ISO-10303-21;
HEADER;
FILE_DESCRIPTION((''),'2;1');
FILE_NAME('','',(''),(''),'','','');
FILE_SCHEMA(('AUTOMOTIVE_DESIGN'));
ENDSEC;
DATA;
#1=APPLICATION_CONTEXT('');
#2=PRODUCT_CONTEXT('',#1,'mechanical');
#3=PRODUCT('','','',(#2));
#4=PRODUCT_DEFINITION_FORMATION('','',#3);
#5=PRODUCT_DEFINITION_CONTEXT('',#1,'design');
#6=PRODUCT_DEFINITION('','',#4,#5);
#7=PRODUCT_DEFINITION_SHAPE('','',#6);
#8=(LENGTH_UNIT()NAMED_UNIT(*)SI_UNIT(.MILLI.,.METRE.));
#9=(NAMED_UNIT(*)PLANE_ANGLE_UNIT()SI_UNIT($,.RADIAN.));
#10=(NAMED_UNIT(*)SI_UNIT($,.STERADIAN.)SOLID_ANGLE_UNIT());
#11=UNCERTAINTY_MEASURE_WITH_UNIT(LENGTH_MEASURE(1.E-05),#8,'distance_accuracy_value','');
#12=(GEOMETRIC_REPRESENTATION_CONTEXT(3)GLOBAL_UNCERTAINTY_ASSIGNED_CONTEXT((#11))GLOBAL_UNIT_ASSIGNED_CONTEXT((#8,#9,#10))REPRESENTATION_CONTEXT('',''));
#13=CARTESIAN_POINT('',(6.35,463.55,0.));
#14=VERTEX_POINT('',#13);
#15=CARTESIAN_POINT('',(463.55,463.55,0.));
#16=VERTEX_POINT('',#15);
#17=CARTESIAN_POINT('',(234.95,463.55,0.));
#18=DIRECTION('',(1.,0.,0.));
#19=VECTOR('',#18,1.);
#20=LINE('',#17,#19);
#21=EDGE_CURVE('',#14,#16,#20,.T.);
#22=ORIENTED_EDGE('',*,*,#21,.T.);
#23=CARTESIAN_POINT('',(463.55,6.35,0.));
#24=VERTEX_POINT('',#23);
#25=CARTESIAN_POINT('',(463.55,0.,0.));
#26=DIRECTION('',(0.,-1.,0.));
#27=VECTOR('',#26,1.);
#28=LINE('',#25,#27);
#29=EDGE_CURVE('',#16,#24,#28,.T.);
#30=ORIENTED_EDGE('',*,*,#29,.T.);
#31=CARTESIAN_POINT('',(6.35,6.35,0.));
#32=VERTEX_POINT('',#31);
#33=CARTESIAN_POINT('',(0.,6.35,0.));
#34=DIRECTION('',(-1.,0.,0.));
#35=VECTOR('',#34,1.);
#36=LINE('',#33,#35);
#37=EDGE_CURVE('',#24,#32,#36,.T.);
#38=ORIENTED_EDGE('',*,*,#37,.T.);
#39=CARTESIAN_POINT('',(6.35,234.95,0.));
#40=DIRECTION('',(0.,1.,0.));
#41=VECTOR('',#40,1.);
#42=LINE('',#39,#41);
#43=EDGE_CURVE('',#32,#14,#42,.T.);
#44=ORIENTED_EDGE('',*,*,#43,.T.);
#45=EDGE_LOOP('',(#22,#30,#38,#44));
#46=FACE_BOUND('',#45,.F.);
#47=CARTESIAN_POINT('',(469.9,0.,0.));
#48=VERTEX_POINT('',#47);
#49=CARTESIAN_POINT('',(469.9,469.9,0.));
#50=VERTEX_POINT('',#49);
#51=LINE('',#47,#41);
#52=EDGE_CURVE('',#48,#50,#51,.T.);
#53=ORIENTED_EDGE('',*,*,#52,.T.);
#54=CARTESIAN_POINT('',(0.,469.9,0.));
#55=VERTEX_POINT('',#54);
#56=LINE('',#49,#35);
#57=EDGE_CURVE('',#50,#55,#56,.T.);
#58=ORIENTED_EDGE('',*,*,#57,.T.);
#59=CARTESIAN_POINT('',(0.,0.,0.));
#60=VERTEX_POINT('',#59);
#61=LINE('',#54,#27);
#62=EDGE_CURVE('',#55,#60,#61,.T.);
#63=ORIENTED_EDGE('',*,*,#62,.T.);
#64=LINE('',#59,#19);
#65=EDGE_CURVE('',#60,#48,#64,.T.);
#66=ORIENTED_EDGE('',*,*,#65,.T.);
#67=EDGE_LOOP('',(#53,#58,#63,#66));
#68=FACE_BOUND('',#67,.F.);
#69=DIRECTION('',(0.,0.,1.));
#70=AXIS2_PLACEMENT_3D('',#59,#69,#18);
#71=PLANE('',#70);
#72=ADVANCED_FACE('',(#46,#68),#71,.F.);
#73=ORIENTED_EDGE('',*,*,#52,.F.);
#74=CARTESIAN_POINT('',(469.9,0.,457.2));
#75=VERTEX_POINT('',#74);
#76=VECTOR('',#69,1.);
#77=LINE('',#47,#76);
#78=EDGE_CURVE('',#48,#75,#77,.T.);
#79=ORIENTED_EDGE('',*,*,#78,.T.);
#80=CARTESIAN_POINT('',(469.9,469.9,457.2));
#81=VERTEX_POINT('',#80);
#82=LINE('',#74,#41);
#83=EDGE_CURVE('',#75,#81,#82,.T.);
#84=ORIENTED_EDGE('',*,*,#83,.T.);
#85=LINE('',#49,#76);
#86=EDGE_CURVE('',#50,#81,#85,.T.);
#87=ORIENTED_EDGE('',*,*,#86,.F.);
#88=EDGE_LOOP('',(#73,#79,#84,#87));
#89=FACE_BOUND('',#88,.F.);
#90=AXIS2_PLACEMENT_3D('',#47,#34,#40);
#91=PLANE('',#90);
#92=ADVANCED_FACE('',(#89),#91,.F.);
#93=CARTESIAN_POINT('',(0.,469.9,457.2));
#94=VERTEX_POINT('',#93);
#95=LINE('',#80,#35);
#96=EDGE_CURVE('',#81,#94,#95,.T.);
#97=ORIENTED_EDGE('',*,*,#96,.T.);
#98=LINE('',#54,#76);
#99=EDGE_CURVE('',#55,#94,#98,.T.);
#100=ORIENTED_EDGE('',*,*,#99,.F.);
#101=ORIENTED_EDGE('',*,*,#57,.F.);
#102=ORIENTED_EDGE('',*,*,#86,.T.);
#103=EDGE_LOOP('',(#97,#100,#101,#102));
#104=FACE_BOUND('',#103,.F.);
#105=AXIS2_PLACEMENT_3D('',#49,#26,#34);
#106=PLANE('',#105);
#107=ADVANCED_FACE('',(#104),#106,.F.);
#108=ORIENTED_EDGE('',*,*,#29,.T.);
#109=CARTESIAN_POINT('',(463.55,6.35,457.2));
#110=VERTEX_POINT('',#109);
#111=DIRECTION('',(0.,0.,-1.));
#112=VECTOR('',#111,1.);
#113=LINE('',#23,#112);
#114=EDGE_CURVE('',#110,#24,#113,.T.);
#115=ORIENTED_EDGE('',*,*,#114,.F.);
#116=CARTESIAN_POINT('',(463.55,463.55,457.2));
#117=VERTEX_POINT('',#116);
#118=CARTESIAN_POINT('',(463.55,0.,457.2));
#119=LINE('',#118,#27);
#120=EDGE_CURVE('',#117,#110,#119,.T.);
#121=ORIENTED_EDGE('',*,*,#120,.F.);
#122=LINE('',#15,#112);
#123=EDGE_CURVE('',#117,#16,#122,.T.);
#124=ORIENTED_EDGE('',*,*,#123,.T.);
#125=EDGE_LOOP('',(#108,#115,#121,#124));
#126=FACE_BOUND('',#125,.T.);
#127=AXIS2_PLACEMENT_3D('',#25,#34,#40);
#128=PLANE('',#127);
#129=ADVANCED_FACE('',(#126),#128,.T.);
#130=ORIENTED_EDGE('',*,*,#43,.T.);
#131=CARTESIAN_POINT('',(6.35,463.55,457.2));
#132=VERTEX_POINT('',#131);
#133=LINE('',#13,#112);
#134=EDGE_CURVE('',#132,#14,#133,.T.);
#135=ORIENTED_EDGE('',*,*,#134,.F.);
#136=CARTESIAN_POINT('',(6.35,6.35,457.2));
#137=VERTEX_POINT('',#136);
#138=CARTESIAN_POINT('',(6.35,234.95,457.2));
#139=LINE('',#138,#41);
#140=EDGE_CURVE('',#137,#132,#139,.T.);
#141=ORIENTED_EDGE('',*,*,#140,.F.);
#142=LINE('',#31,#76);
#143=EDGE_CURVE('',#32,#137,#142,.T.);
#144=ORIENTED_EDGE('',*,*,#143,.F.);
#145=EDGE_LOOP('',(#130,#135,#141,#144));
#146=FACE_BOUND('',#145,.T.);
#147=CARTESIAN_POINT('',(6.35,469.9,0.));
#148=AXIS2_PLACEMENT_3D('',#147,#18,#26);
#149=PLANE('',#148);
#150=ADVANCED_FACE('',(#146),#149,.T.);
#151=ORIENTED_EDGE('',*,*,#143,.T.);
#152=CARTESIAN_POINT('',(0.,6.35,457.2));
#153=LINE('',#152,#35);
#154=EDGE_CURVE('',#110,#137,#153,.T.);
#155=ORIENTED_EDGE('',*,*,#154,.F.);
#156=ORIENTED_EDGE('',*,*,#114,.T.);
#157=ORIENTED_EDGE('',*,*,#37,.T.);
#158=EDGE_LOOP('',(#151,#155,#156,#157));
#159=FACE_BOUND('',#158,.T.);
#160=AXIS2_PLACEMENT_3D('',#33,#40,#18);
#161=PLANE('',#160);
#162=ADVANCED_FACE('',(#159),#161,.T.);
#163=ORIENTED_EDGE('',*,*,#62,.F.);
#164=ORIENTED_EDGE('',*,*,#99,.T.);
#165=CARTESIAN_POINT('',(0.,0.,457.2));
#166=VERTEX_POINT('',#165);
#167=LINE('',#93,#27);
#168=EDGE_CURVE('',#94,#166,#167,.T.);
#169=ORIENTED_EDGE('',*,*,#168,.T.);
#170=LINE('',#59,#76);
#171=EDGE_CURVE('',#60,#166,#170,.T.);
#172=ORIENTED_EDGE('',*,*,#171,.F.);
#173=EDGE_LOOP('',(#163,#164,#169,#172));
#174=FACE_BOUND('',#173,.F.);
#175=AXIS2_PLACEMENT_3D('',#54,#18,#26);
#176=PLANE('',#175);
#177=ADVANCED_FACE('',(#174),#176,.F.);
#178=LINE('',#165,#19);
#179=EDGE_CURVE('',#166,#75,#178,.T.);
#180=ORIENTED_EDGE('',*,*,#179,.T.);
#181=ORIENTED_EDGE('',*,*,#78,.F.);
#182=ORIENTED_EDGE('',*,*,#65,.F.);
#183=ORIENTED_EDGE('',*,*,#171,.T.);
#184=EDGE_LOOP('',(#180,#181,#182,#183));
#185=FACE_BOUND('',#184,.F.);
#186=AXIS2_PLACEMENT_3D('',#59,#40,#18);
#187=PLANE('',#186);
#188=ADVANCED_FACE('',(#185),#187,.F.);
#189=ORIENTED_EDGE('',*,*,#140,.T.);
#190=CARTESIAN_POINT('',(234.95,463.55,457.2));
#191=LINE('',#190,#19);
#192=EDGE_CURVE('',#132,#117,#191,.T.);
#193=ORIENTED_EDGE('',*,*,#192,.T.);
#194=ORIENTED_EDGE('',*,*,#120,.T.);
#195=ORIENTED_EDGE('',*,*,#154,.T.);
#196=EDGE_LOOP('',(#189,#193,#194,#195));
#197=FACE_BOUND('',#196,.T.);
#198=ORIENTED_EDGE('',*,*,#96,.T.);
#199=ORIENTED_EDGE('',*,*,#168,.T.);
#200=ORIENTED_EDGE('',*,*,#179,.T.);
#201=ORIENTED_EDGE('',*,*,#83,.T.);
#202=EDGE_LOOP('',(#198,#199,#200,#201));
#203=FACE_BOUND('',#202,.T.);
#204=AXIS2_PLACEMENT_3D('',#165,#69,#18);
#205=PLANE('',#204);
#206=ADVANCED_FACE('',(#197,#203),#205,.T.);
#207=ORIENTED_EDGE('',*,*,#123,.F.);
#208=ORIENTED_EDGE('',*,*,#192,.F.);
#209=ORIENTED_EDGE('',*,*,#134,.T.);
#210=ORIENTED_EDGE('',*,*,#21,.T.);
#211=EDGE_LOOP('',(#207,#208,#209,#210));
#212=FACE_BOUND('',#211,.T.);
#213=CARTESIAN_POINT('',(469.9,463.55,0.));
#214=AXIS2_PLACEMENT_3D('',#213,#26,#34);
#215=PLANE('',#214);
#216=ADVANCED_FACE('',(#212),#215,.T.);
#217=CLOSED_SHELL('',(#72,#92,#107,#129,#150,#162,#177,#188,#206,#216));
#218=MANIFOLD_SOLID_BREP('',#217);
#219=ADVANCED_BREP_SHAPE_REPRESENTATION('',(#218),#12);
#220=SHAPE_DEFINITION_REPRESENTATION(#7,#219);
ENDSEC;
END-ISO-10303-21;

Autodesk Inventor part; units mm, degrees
ref_plane "YZ Plane" through (0, 0, 0) normal (1, 0, 0) x (0, 1, 0)
ref_plane "XZ Plane" through (0, 0, 0) normal (0, 1, 0) x (-1, 0, 0)
ref_plane "XY Plane" through (0, 0, 0) normal (0, 0, 1) x (1, 0, 0)
sketch "Sketch1" plane through (0, 0, 0) normal (0, 0, 1) x (1, 0, 0)
  line L0 (0, 0) -> (469.9, 0)
  line L1 (469.9, 0) -> (469.9, 469.9)
  line L2 (469.9, 469.9) -> (0, 469.9)
  line L3 (0, 469.9) -> (0, 0)
  dimension "d0" = 469.9
  dimension "d1" = 469.9
extrude "Extrusion1" add sketch "Sketch1" along normal blind 457.2
shell "Shell1" thickness 6.35 removed faces 2 at (156.6333, 313.2667, 0) at (156.6333, 313.2667, 457.2)
equation "\"size\" = 457.2"
properties part number "Sizing Tool-01"
